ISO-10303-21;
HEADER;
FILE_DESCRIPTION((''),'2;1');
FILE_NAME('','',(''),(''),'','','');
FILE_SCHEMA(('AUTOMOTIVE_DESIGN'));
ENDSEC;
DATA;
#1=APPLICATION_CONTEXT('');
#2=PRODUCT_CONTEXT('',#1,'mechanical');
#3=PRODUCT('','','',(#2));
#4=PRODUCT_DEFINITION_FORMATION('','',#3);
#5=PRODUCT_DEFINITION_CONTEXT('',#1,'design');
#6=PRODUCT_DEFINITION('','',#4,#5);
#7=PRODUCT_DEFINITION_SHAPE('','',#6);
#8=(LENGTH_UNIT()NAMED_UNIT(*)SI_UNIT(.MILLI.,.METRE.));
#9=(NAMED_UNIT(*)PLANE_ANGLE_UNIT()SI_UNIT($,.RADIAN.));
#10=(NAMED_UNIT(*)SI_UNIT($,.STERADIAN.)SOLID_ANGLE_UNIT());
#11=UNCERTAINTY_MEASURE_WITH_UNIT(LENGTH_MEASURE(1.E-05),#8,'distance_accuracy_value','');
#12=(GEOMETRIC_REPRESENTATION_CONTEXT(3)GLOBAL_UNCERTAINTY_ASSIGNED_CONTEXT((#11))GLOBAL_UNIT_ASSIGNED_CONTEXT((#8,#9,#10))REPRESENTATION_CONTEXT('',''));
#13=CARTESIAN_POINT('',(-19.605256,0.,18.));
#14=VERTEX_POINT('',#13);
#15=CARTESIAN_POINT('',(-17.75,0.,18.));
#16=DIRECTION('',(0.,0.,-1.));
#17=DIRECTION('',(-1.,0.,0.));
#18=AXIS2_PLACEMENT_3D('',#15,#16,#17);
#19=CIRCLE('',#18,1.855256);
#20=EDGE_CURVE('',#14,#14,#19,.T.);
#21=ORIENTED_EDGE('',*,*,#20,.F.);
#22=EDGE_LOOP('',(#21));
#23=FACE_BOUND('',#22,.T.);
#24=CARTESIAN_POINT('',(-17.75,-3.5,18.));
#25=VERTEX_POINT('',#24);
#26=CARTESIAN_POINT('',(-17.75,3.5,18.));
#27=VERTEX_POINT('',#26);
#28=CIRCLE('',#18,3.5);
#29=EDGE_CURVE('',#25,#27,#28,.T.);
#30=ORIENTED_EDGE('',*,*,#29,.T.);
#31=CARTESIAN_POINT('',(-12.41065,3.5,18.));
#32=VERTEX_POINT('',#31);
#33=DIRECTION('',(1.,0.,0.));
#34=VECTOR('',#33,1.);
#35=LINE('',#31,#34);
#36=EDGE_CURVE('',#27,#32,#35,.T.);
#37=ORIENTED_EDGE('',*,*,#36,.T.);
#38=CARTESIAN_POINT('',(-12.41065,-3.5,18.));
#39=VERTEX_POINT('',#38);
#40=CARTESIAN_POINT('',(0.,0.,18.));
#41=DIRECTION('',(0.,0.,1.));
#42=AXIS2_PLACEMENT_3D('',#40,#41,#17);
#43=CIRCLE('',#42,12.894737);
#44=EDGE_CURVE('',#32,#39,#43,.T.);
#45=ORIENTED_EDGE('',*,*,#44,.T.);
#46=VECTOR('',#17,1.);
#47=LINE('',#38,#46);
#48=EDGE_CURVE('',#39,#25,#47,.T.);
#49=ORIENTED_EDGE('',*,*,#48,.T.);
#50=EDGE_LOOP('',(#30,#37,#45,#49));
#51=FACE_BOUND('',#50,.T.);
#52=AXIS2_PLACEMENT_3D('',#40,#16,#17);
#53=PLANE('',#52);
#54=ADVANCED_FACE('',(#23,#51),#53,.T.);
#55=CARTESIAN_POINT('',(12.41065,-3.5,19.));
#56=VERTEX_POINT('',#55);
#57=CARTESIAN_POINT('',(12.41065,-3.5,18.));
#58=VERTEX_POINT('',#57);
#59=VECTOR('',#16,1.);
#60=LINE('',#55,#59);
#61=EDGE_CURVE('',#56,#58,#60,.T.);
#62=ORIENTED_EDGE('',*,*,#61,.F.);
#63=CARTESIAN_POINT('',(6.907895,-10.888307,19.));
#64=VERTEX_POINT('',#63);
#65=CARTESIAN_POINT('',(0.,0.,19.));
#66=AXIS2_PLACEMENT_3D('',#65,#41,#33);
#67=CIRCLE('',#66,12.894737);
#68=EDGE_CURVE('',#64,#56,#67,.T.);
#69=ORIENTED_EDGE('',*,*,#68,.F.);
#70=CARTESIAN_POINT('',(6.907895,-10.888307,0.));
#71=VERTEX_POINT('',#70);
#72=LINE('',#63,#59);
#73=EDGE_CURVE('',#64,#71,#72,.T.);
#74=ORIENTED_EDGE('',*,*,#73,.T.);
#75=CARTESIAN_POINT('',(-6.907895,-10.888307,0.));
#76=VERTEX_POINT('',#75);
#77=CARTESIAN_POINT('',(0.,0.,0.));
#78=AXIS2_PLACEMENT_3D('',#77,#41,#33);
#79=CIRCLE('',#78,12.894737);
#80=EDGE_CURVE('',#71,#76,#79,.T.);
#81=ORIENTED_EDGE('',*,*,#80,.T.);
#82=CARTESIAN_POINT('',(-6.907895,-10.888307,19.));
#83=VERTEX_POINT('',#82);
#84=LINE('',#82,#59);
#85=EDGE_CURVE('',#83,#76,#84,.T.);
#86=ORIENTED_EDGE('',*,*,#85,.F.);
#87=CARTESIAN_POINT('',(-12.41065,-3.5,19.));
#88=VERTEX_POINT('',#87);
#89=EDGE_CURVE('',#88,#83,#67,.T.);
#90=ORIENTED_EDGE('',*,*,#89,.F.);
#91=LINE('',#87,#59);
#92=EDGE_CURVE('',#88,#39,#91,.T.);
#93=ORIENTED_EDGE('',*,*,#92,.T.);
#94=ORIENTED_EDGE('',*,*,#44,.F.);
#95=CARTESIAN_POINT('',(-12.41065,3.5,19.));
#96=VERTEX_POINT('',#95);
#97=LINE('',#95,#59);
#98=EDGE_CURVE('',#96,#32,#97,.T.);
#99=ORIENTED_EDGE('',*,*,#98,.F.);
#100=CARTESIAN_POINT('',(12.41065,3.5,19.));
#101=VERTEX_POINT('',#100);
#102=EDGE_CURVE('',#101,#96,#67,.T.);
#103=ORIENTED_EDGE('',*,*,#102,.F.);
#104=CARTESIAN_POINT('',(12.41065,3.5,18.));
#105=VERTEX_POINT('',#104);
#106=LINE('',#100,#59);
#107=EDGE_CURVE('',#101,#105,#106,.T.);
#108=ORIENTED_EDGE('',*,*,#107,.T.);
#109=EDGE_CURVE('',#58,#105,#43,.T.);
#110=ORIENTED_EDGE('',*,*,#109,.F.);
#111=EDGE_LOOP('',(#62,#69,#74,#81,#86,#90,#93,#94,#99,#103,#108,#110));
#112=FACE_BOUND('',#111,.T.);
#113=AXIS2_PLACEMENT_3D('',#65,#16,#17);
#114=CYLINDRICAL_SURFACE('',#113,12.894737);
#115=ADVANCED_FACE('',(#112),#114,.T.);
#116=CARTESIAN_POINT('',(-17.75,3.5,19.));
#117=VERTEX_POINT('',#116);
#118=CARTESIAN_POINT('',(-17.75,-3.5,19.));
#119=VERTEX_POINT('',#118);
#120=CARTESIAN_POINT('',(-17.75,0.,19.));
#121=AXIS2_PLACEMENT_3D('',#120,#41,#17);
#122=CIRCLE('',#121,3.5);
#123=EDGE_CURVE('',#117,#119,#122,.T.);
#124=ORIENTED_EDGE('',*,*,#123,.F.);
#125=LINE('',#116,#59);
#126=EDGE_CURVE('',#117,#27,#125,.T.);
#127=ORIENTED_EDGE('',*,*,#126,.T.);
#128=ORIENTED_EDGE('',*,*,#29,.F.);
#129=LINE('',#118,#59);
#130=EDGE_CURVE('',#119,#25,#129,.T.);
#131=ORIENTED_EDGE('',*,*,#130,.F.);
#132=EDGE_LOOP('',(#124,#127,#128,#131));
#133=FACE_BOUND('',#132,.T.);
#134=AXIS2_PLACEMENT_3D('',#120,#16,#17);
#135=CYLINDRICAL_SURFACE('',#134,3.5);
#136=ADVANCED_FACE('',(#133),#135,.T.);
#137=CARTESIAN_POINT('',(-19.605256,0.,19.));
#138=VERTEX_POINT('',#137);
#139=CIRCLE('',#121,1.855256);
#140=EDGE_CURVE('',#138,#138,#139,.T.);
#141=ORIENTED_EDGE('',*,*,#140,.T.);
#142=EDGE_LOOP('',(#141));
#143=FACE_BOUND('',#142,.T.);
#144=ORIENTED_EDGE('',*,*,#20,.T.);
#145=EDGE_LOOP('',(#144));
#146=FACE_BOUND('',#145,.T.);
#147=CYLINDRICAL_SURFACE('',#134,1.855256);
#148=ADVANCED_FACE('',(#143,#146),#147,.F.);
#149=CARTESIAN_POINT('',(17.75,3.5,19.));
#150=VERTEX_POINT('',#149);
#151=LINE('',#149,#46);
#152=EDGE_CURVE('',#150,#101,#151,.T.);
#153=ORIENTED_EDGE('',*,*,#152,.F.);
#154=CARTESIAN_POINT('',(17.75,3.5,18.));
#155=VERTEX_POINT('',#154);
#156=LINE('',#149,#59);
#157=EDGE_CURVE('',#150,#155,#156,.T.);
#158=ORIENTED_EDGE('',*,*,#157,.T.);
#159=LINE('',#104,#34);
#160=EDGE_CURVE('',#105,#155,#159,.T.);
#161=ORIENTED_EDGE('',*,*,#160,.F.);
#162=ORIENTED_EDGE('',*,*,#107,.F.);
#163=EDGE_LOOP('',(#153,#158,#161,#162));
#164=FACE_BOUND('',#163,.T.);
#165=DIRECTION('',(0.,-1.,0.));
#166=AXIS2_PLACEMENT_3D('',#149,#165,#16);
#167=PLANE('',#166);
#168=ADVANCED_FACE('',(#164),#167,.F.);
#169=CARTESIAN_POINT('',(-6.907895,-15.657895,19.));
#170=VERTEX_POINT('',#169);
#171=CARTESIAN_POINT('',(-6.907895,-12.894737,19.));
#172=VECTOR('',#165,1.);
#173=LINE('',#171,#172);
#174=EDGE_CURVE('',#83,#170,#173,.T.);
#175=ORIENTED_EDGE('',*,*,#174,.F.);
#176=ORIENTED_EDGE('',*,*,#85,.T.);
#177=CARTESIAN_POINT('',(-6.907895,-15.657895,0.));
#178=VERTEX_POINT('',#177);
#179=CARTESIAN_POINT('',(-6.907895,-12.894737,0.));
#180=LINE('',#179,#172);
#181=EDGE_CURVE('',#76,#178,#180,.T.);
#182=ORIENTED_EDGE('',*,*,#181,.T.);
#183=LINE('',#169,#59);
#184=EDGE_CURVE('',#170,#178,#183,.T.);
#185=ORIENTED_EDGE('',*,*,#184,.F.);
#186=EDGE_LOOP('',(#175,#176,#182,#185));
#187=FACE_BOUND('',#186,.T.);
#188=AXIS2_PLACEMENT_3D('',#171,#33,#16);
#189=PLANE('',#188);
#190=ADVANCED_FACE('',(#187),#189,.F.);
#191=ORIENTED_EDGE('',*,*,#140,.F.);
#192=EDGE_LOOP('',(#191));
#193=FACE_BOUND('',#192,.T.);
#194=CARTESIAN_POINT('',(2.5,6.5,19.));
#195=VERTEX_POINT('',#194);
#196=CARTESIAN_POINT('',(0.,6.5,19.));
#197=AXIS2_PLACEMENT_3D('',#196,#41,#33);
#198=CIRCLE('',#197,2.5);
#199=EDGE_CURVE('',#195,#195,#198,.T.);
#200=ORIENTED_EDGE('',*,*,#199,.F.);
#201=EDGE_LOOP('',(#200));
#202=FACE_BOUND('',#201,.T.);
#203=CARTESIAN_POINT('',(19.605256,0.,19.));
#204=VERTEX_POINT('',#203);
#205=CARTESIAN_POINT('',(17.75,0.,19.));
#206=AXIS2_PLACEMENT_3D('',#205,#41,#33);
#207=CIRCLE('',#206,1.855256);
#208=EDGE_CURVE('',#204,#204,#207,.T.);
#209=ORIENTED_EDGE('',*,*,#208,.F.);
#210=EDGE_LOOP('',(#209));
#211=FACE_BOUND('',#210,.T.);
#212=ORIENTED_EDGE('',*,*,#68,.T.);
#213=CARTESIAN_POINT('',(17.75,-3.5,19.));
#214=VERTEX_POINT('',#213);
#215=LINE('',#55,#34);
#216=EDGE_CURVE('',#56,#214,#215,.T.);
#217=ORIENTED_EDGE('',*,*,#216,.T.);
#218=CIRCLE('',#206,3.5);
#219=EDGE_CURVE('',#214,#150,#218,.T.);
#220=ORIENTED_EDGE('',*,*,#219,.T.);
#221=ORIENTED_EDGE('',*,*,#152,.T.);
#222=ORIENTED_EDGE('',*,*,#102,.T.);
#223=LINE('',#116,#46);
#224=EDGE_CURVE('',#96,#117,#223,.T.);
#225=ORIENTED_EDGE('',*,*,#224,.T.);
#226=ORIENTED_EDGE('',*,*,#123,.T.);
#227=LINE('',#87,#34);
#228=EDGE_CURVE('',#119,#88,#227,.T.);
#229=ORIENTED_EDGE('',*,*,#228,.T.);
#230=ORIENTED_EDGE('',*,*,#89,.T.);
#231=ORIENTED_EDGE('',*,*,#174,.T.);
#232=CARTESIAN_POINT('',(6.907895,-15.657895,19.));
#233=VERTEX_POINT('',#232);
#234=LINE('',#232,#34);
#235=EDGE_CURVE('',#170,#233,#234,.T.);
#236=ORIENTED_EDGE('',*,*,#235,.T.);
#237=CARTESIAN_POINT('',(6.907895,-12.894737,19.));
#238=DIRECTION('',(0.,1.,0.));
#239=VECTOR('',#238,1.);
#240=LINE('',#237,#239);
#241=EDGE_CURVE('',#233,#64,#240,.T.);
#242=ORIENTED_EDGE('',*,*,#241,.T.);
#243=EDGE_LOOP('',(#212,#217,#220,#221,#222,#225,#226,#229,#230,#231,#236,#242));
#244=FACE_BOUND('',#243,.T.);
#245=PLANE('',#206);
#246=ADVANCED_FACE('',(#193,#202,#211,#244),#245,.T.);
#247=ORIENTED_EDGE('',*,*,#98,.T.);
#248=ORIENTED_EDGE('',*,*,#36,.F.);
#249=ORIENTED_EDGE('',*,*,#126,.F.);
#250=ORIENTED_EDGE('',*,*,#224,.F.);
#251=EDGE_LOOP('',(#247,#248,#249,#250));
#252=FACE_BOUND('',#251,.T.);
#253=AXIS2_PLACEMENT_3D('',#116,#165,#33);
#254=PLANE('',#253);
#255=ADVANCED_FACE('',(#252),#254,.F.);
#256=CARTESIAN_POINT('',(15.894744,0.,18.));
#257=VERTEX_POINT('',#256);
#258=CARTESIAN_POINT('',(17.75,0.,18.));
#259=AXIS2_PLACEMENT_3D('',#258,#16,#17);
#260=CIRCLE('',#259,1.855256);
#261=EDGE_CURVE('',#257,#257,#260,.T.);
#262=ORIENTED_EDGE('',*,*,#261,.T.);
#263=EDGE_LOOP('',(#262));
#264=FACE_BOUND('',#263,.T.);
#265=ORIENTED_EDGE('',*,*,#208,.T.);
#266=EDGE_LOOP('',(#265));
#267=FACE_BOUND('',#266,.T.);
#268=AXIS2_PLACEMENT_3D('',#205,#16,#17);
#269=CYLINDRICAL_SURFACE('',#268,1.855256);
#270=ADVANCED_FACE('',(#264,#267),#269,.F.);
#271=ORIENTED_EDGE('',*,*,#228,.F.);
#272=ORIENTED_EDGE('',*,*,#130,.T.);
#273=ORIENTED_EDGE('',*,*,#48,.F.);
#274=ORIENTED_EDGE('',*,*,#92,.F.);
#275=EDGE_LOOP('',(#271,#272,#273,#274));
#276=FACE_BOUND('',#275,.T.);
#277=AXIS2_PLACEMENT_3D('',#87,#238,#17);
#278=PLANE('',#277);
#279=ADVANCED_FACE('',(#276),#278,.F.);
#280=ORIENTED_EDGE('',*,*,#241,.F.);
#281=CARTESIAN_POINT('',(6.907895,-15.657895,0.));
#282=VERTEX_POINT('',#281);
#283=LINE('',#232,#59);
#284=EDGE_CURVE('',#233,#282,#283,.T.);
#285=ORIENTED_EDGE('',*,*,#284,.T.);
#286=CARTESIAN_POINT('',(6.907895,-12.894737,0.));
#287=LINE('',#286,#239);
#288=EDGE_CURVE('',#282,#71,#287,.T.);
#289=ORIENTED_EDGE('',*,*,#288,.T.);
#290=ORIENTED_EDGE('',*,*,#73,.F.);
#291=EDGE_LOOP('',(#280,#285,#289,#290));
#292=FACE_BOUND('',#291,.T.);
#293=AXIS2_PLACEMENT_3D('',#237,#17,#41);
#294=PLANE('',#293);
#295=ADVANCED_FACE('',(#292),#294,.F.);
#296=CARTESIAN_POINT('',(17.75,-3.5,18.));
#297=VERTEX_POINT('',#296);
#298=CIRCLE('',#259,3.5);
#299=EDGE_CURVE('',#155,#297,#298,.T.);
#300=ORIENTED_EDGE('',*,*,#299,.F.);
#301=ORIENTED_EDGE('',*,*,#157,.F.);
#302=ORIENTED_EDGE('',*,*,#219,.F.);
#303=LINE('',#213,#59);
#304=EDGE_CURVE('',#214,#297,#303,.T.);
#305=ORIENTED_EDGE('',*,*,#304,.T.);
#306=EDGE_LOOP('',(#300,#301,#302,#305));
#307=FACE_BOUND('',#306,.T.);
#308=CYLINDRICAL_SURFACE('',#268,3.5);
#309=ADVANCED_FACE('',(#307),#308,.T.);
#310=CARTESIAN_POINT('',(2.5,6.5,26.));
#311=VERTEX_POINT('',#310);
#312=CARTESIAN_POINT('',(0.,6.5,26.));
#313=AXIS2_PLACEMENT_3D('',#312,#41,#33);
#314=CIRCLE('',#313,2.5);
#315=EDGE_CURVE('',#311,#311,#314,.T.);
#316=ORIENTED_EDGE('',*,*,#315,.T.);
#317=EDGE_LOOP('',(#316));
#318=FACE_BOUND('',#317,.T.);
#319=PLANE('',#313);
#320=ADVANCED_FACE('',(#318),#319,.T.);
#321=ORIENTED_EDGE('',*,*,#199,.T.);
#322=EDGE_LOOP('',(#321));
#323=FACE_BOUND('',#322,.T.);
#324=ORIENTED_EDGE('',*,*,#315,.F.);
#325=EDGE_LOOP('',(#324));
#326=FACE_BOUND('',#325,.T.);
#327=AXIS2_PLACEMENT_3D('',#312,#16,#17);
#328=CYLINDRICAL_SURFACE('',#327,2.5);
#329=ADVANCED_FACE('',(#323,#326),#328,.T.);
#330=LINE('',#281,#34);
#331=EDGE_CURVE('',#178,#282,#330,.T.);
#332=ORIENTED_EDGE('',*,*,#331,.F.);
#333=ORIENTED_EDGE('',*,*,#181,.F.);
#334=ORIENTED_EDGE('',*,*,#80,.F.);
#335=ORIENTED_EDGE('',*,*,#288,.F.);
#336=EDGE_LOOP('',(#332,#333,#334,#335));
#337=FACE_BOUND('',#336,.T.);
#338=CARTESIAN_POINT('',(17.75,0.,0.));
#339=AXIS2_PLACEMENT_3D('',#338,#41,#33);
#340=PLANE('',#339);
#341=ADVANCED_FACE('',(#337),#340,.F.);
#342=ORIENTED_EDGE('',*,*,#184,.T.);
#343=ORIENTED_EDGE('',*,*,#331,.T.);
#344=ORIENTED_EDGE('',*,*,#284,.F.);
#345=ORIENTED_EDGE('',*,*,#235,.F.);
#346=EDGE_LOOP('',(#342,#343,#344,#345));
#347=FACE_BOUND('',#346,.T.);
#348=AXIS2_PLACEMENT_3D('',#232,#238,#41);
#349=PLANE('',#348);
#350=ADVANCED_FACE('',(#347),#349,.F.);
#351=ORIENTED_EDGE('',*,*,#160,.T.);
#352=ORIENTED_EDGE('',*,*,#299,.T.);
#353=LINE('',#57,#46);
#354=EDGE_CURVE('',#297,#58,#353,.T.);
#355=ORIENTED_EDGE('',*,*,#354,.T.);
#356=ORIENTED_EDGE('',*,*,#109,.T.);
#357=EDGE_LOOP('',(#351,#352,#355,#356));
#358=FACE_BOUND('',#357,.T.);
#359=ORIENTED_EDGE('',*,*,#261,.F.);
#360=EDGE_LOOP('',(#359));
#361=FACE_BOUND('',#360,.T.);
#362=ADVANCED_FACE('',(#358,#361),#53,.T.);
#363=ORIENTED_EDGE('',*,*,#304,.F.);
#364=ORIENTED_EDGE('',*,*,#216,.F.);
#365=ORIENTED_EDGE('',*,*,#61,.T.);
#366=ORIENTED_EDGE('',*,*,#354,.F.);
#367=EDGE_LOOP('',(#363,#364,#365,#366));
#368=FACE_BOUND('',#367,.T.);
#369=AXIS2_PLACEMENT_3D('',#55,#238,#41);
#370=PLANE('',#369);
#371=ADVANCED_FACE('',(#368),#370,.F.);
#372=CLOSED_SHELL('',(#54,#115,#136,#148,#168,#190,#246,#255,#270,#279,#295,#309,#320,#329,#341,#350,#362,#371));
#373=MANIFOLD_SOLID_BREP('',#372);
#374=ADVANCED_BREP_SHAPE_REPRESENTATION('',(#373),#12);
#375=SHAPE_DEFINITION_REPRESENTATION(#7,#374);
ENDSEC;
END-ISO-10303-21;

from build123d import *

# Parameters (mm, degrees)
ESBO_O1_R                = 1.85525586
RESSALTO_EXTRUS_O1_DEPTH = 19
CORTE_EXTRUS_O1_DEPTH    = 18
ESBO_O3_R                = 2.5
RESSALTO_EXTRUS_O2_DEPTH = 7


with BuildPart() as part:
    # Esboço1 → Ressalto-extrusão1 (new body)
    with BuildSketch(Plane.XY):
        with BuildLine():
            Line((17.75, 3.5), (12.410650194, 3.5))
            ThreePointArc((12.410650194, 3.5), (0, 12.894736842), (-12.410650194, 3.5))
            Line((-12.410650194, 3.5), (-17.75, 3.5))
            ThreePointArc((-17.75, 3.5), (-21.25, 0), (-17.75, -3.5))
            Line((-17.75, -3.5), (-12.410650194, -3.5))
            ThreePointArc((-12.410650194, -3.5), (-10.341581818, -7.702332356), (-6.907894737, -10.888306964))
            Line((-6.907894737, -10.888306964), (-6.907894737, -12.894736842))
            Line((-6.907894737, -12.894736842), (-6.907894737, -15.657894737))
            Line((-6.907894737, -15.657894737), (6.907894737, -15.657894737))
            Line((6.907894737, -15.657894737), (6.907894737, -12.894736842))
            Line((6.907894737, -12.894736842), (6.907894737, -10.888306964))
            ThreePointArc((6.907894737, -10.888306964), (10.341581818, -7.702332356), (12.410650194, -3.5))
            Line((12.410650194, -3.5), (17.75, -3.5))
            ThreePointArc((17.75, -3.5), (21.25, 0), (17.75, 3.5))
        make_face()
        with Locations((17.75, 0)):
            Circle(ESBO_O1_R, mode=Mode.SUBTRACT)
        with Locations((-17.75, 0)):
            Circle(ESBO_O1_R, mode=Mode.SUBTRACT)
    extrude(amount=RESSALTO_EXTRUS_O1_DEPTH)

    # Esboço2 → Corte-extrusão1 (cut)
    with BuildSketch(Plane(origin=(0, 0, 0), x_dir=(-1, 0, 0), z_dir=(0, 0, -1))):
        with BuildLine():
            Line((12.410650194, 3.5), (23.80699558, 3.5))
            Line((23.80699558, 3.5), (23.80699558, -3.5))
            Line((23.80699558, -3.5), (12.410650194, -3.5))
            ThreePointArc((12.410650194, -3.5), (12.894736842, 0), (12.410650194, 3.5))
        make_face()
        with BuildLine():
            Line((-12.410650194, 3.5), (-24.760546325, 3.5))
            Line((-24.760546325, 3.5), (-24.760546325, -3.5))
            Line((-24.760546325, -3.5), (-12.410650194, -3.5))
            ThreePointArc((-12.410650194, -3.5), (-12.894736842, 0), (-12.410650194, 3.5))
        make_face()
    extrude(amount=-CORTE_EXTRUS_O1_DEPTH, mode=Mode.SUBTRACT)

    # Esboço3 → Ressalto-extrusão2 (add)
    with BuildSketch(Plane.XY.offset(19)):
        with Locations((0, 6.5)):
            Circle(ESBO_O3_R)
    extrude(amount=RESSALTO_EXTRUS_O2_DEPTH)


solid = part.part
